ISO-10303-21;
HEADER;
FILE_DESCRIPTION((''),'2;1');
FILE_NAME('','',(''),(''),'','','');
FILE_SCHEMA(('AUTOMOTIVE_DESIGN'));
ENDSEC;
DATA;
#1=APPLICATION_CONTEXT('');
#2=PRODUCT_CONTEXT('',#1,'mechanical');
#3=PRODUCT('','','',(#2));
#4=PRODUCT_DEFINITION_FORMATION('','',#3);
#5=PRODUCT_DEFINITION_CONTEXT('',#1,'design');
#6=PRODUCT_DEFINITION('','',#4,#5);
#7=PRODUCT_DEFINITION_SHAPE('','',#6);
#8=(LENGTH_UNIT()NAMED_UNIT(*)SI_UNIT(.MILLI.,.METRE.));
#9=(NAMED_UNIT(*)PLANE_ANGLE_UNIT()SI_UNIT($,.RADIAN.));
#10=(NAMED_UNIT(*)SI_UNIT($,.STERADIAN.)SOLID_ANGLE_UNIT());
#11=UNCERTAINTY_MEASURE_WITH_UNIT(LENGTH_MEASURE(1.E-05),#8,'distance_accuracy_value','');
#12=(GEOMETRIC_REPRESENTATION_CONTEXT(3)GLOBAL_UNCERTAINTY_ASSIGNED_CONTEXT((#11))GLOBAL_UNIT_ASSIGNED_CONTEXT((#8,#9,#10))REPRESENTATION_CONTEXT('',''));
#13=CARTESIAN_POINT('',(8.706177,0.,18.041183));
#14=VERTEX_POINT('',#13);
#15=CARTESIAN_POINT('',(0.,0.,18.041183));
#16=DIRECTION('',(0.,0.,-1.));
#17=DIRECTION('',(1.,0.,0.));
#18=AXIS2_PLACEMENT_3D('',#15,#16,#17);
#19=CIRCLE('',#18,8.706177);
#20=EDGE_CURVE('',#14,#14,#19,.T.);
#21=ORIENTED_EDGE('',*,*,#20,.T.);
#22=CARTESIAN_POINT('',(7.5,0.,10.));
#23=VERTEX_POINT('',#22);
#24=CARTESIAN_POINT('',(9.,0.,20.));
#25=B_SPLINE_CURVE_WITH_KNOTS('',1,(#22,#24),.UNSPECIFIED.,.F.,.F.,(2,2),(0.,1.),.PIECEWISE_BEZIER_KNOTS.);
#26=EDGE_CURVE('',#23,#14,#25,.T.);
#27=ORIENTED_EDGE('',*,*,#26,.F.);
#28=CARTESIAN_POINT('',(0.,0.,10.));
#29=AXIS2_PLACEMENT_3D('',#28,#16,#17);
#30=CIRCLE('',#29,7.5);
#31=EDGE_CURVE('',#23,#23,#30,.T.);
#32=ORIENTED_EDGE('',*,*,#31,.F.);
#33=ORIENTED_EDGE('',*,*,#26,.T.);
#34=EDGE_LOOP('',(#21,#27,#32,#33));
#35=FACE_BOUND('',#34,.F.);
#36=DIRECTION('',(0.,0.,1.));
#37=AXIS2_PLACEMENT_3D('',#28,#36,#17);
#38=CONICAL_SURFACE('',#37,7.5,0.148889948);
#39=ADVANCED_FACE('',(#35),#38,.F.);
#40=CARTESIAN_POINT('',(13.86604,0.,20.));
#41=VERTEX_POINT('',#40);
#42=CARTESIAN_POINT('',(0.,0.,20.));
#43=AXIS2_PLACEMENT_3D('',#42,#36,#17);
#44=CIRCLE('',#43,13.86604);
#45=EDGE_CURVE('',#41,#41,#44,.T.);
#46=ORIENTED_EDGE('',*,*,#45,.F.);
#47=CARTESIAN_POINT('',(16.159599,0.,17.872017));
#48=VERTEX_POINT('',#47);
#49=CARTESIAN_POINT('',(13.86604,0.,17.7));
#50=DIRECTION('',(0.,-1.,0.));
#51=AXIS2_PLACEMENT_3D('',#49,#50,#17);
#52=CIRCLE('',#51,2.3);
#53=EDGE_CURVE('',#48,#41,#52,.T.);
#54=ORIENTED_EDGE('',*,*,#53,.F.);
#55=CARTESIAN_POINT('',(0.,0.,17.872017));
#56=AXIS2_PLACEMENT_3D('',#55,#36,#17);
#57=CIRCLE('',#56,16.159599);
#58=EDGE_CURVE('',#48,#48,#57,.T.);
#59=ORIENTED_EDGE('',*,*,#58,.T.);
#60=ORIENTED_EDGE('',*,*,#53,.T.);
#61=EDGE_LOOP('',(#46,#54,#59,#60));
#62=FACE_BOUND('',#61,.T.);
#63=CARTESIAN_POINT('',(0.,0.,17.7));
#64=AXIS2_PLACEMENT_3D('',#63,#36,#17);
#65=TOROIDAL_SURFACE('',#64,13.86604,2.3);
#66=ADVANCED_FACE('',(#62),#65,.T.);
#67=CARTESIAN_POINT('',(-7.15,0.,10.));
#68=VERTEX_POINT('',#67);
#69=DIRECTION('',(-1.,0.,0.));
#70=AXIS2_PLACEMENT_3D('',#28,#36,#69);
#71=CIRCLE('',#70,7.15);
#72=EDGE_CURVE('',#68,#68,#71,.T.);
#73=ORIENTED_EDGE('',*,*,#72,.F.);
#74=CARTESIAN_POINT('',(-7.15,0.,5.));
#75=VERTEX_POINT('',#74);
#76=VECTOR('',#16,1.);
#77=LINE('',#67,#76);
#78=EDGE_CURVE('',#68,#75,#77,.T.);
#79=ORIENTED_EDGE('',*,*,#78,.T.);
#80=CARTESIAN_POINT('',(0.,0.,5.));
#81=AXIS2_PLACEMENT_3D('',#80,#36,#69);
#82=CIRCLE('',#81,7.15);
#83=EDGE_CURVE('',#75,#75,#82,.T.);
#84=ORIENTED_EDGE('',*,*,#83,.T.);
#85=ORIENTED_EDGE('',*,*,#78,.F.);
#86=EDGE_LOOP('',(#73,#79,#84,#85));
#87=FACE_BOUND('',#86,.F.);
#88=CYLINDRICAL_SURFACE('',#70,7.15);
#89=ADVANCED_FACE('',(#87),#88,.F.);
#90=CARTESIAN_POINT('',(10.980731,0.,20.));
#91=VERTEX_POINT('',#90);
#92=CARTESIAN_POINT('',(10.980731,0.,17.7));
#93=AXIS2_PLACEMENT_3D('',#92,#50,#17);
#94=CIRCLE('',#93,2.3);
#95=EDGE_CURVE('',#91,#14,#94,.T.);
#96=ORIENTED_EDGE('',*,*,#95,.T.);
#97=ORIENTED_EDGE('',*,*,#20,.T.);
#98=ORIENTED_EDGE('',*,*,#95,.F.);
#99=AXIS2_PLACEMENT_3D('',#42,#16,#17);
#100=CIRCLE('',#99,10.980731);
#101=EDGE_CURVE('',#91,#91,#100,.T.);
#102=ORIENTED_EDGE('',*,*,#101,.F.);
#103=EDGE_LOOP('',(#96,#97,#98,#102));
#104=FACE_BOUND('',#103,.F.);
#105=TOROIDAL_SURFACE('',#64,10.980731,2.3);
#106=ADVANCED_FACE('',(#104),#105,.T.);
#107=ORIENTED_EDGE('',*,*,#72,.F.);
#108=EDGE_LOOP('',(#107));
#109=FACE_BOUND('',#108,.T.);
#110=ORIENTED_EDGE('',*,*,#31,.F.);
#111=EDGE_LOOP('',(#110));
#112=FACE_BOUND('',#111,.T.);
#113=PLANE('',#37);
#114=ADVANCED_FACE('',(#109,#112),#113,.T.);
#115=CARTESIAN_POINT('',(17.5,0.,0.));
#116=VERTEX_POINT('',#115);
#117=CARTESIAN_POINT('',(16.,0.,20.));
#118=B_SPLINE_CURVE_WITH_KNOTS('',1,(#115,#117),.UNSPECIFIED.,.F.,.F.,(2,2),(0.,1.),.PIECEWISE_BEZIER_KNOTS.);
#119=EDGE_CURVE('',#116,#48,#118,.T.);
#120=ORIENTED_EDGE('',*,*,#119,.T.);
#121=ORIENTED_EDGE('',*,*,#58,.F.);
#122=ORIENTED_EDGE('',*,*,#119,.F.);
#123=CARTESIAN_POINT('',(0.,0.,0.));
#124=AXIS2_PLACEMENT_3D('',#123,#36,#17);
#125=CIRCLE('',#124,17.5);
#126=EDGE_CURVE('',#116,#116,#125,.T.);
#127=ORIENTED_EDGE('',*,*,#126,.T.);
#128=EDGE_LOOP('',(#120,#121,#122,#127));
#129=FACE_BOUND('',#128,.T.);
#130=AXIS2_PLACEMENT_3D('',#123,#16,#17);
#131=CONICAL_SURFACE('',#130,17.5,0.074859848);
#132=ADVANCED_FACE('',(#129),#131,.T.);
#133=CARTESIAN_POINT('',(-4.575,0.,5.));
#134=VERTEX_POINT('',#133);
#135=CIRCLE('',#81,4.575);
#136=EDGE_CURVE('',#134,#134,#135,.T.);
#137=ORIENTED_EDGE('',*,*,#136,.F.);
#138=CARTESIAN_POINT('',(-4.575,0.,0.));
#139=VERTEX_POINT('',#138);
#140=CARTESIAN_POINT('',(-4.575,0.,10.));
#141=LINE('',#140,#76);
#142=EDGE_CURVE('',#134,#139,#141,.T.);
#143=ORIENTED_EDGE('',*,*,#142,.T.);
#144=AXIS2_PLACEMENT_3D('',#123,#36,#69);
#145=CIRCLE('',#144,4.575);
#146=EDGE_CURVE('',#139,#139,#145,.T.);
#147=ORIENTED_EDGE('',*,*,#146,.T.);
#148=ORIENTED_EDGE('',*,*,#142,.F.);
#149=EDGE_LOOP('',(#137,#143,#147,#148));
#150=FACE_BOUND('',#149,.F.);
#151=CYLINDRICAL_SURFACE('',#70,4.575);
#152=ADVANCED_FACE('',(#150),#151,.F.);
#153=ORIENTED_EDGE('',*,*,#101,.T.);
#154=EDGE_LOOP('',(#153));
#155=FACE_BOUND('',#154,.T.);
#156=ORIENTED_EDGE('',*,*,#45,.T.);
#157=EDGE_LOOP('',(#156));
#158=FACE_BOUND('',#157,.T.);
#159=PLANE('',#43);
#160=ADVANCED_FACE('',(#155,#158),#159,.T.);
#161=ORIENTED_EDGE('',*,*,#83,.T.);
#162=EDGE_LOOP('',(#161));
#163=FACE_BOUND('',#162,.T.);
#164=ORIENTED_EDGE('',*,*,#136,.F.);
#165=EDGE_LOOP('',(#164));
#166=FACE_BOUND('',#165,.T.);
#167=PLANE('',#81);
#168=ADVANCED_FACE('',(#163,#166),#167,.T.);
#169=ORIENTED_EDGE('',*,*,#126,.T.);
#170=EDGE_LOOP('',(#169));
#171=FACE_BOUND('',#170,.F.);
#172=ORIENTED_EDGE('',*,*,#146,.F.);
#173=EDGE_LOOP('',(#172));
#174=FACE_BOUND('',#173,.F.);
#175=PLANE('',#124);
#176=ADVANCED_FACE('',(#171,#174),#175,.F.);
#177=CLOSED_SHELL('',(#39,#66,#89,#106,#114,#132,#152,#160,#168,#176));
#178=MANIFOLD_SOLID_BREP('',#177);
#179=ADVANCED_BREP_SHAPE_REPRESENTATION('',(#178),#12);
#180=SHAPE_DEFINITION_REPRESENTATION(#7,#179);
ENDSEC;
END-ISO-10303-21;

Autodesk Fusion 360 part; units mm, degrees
sketch "Sketch1" plane through (0, 0, 0) normal (0, 0, 1) x (1, 0, 0)
  circle A0 centre (0, 0) radius 17.5
  dimension "d1" = 35
ref_plane "WorkPlane1" through (0, 0, 20) normal (0, 0, 1) x (1, 0, 0)
sketch "Sketch2" plane through (0, 0, 20) normal (0, 0, 1) x (1, 0, 0)
  circle A0 centre (0, 0) radius 16
  dimension "d3" = 32
loft "Loft1" add profiles "Sketch1", "Sketch2" section 1 section 2
ref_plane "WorkPlane2" through (0, 0, 10) normal (0, 0, 1) x (1, 0, 0)
sketch "Sketch3" plane through (0, 0, 10) normal (0, 0, 1) x (1, 0, 0)
  circle A0 centre (0, 0) radius 7.5
  dimension "d5" = 15
sketch "Sketch4" plane through (0, 0, 20) normal (0, 0, 1) x (-1, 0, 0)
  circle A0 centre (0, 0) radius 16
  circle A1 centre (0, 0) radius 9
  dimension "d6" = 18
loft "Loft2" cut profiles "Sketch3", "Sketch4" section 1 section 2 contours A1
fillet "Fillet1" radius 2.3 2 edges at (8.3909, -3.2545, 20) (-14.9172, 5.7858, 20)
sketch "Sketch5" plane through (0, 0, 10) normal (0, 0, 1) x (-1, 0, 0)
  circle A0 centre (0, 0) radius 7.5
  circle A1 centre (0, 0) radius 4.575
  dimension "d9" = 9.15
extrude "Extrude1" cut sketch "Sketch5" against normal blind 10 contours A1
sketch "Sketch6" plane through (0, 0, 10) normal (0, 0, 1) x (-1, 0, 0)
  circle A0 centre (0, 0) radius 4.575
  circle A1 centre (0, 0) radius 7.5
  circle A2 centre (0, 0) radius 7.15
  dimension "d12" = 14.3
extrude "Extrude2" cut sketch "Sketch6" against normal blind 5 contours A2
equation "d4 = -20 mm + 10 mm"
